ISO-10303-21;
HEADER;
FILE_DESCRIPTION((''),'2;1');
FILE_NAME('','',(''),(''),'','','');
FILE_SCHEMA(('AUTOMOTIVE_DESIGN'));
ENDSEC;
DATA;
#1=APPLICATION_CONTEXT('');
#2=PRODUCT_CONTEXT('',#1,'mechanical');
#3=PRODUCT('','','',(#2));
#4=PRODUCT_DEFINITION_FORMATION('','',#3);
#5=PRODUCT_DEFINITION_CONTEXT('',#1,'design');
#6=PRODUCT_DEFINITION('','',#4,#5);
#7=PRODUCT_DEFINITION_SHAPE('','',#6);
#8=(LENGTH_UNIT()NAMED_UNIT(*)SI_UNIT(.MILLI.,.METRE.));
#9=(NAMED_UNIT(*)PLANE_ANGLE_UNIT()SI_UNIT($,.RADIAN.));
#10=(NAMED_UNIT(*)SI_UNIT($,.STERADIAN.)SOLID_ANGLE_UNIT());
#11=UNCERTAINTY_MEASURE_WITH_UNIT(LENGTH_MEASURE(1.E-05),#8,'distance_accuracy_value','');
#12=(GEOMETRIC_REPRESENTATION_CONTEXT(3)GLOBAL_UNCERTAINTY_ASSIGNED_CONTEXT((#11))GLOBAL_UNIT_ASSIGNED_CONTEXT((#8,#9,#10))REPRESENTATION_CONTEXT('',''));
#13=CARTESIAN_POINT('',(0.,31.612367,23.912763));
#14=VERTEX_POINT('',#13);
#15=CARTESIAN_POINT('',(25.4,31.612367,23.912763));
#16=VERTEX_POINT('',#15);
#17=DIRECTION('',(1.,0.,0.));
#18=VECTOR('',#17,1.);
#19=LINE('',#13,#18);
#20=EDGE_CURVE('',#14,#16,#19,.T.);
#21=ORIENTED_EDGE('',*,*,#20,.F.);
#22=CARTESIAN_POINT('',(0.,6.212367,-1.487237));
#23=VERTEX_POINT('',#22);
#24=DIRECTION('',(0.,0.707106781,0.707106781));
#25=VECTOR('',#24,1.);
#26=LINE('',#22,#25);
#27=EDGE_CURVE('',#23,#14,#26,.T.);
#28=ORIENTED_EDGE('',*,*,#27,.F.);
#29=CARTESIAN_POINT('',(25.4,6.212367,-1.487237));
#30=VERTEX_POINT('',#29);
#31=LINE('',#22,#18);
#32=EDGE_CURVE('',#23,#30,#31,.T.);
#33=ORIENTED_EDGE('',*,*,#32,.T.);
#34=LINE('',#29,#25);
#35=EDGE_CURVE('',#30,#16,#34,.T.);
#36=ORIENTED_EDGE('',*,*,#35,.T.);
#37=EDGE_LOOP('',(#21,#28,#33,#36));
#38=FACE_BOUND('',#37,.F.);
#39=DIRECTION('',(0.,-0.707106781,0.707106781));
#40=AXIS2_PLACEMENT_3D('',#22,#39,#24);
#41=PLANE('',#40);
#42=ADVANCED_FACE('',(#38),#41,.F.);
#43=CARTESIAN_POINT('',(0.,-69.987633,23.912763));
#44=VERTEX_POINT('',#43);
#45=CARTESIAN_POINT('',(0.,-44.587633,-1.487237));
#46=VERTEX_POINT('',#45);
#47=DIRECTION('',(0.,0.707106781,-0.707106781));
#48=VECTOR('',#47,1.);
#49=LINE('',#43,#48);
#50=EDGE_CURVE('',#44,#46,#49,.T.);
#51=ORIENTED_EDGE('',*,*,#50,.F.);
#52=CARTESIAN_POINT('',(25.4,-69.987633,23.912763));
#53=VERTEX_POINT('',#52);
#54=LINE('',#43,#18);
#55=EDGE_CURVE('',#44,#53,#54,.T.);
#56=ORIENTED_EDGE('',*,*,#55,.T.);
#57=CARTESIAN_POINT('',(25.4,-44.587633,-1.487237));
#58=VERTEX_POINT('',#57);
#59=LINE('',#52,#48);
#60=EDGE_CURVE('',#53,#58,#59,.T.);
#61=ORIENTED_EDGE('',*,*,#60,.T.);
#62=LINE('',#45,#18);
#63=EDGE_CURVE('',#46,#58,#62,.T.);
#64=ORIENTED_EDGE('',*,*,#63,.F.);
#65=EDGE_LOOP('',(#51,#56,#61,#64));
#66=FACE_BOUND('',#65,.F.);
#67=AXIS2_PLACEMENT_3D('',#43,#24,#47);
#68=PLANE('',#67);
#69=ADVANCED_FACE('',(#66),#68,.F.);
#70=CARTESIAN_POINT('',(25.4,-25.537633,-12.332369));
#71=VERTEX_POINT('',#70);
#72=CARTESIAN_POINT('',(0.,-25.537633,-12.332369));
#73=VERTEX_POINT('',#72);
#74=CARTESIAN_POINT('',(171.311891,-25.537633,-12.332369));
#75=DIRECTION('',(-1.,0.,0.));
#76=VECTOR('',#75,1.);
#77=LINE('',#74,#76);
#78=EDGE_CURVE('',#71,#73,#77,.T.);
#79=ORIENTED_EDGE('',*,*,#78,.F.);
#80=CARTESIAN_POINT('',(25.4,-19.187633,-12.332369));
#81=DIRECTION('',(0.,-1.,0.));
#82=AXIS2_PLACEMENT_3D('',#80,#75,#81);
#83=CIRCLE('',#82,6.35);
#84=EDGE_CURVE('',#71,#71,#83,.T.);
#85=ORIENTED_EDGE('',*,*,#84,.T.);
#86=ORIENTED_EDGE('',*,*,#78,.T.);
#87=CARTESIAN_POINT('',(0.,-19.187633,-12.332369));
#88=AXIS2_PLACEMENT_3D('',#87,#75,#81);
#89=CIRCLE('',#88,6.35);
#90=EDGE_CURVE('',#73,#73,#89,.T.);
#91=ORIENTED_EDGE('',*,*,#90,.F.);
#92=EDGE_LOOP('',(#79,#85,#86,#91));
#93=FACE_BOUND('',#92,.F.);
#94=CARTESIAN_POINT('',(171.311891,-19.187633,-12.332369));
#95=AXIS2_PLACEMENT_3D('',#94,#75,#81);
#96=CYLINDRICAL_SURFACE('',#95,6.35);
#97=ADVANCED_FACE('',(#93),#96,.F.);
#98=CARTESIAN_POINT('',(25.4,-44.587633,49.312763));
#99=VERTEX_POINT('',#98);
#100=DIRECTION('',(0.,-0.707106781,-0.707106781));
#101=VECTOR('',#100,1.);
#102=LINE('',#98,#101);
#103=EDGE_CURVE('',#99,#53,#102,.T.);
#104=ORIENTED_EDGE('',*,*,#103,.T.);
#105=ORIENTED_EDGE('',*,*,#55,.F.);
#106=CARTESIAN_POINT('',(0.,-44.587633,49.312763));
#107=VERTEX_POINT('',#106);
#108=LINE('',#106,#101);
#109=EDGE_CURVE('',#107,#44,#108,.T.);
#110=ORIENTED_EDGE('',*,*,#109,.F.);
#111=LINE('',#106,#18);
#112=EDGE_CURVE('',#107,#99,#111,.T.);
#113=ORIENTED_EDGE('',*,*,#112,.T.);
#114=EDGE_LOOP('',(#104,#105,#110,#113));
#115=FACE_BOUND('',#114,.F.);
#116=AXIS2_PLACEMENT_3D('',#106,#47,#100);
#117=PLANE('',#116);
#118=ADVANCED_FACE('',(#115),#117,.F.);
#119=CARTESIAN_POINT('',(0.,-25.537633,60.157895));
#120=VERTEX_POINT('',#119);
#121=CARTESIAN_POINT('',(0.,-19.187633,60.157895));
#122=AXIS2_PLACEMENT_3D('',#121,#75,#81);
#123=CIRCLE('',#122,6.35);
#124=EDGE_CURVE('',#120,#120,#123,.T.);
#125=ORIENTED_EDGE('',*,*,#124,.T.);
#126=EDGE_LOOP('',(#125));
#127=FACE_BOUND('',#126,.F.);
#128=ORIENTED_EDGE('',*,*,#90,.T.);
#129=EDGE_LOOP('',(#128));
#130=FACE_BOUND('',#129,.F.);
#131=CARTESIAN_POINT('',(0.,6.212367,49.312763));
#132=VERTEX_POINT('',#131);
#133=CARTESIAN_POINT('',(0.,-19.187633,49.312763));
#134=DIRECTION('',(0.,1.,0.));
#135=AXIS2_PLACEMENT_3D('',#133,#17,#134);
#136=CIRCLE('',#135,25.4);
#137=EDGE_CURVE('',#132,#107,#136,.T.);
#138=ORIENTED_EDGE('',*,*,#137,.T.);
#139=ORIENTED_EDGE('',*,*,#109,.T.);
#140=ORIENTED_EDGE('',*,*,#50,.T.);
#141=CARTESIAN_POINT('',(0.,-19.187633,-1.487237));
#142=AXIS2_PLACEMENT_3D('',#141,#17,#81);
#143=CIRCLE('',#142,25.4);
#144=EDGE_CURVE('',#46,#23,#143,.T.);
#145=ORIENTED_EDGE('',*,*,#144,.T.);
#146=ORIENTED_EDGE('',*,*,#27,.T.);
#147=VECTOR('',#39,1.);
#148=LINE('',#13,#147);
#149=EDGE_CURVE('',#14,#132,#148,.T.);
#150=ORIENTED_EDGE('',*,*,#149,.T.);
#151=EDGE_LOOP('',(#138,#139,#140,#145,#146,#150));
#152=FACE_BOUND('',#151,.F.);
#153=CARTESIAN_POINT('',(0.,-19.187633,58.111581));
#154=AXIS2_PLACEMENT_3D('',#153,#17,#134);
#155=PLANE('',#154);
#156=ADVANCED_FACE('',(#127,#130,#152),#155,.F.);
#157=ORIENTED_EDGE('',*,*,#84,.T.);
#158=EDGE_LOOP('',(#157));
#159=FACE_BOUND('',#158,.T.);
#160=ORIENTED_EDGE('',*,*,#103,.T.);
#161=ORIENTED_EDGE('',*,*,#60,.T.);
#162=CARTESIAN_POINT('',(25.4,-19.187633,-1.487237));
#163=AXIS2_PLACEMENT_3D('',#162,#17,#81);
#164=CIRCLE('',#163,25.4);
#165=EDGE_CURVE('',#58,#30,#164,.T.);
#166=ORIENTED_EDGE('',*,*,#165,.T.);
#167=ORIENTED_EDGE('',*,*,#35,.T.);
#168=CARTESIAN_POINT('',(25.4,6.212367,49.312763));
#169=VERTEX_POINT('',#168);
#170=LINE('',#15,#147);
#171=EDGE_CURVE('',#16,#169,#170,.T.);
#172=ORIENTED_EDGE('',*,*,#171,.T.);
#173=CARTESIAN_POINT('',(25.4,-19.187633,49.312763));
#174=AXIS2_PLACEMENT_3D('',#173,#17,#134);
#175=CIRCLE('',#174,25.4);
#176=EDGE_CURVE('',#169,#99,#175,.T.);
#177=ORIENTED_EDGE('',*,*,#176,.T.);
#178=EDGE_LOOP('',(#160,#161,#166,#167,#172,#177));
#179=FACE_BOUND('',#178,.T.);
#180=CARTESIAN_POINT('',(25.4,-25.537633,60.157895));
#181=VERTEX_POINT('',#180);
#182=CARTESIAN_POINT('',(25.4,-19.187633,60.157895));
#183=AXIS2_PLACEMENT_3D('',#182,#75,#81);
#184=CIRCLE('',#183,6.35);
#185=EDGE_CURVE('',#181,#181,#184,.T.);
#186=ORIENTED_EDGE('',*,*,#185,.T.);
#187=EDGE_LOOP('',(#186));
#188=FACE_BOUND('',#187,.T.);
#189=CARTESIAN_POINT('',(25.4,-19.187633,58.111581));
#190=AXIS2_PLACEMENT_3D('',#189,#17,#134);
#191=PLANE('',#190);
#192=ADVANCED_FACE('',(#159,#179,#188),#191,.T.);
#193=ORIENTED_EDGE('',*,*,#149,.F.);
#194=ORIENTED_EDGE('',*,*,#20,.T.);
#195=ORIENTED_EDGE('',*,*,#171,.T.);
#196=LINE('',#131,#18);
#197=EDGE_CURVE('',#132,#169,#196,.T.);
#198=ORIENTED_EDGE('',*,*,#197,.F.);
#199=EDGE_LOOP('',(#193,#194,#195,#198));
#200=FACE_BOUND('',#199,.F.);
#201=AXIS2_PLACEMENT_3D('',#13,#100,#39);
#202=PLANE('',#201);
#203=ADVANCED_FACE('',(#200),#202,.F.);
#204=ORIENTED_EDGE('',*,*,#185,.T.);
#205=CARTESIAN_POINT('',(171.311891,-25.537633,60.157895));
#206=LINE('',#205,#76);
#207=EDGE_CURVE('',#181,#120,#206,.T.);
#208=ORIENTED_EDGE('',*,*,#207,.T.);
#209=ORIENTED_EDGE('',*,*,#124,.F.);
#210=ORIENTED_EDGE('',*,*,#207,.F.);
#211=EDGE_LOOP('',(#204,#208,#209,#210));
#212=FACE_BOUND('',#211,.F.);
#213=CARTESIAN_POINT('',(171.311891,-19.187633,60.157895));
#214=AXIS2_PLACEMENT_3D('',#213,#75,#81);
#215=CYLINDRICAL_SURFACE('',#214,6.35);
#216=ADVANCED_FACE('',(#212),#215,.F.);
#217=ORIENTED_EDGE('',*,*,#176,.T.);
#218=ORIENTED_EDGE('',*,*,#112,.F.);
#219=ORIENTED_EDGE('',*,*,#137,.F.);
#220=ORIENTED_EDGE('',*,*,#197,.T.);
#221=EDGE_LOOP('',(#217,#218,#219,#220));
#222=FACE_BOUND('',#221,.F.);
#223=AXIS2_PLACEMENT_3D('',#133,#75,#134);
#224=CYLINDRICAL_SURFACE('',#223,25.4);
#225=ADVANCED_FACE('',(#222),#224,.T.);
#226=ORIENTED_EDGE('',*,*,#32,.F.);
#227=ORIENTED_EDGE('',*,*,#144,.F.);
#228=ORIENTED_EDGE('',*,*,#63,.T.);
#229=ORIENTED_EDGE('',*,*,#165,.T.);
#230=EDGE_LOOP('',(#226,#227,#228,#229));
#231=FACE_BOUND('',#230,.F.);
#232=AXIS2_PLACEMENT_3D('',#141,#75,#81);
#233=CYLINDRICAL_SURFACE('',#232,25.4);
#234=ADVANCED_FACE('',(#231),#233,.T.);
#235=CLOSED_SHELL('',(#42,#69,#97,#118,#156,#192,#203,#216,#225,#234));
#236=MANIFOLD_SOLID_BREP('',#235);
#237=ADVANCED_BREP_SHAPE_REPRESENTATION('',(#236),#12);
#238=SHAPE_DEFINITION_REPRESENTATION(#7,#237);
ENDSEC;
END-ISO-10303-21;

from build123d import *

# Parameters (mm, degrees)
F0_W     = 50.8
F0_H     = 50.8
F1_DEPTH = 25.4
F3_D     = 12.7


with BuildPart() as f1:
    # F0 (on Right) → F1 (new body)
    with BuildSketch(Plane.YZ):
        with BuildLine():
            ThreePointArc((6.2123674129, 49.3127632231), (-19.1876325871, 74.7127632231), (-44.5876325871, 49.3127632231))
            Line((-44.5876325871, 49.3127632231), (6.2123674129, 49.3127632231))
        make_face()
        with Locations((-19.1876325871, 23.9127632231)):
            Rectangle(F0_W, F0_H)
        Polygon((-44.5876325871, -1.4872367769), (-44.5876325871, 49.3127632231), (-69.9876325871, 23.9127632231), align=None)
        Polygon((31.6123674129, 23.9127632231), (6.2123674129, 49.3127632231), (6.2123674129, -1.4872367769), align=None)
        with BuildLine():
            Line((6.2123674129, -1.4872367769), (-44.5876325871, -1.4872367769))
            ThreePointArc((-44.5876325871, -1.4872367769), (-19.1876325871, -26.8872367769), (6.2123674129, -1.4872367769))
        make_face()
    extrude(amount=F1_DEPTH)

    # F3 (through all)
    with Locations(Plane.YZ.offset(25.4)):
        with Locations((-19.1876325871, 60.1578950882), (-19.1876325871, -12.3323686421)):
            Hole(F3_D / 2)


solid = f1.part
